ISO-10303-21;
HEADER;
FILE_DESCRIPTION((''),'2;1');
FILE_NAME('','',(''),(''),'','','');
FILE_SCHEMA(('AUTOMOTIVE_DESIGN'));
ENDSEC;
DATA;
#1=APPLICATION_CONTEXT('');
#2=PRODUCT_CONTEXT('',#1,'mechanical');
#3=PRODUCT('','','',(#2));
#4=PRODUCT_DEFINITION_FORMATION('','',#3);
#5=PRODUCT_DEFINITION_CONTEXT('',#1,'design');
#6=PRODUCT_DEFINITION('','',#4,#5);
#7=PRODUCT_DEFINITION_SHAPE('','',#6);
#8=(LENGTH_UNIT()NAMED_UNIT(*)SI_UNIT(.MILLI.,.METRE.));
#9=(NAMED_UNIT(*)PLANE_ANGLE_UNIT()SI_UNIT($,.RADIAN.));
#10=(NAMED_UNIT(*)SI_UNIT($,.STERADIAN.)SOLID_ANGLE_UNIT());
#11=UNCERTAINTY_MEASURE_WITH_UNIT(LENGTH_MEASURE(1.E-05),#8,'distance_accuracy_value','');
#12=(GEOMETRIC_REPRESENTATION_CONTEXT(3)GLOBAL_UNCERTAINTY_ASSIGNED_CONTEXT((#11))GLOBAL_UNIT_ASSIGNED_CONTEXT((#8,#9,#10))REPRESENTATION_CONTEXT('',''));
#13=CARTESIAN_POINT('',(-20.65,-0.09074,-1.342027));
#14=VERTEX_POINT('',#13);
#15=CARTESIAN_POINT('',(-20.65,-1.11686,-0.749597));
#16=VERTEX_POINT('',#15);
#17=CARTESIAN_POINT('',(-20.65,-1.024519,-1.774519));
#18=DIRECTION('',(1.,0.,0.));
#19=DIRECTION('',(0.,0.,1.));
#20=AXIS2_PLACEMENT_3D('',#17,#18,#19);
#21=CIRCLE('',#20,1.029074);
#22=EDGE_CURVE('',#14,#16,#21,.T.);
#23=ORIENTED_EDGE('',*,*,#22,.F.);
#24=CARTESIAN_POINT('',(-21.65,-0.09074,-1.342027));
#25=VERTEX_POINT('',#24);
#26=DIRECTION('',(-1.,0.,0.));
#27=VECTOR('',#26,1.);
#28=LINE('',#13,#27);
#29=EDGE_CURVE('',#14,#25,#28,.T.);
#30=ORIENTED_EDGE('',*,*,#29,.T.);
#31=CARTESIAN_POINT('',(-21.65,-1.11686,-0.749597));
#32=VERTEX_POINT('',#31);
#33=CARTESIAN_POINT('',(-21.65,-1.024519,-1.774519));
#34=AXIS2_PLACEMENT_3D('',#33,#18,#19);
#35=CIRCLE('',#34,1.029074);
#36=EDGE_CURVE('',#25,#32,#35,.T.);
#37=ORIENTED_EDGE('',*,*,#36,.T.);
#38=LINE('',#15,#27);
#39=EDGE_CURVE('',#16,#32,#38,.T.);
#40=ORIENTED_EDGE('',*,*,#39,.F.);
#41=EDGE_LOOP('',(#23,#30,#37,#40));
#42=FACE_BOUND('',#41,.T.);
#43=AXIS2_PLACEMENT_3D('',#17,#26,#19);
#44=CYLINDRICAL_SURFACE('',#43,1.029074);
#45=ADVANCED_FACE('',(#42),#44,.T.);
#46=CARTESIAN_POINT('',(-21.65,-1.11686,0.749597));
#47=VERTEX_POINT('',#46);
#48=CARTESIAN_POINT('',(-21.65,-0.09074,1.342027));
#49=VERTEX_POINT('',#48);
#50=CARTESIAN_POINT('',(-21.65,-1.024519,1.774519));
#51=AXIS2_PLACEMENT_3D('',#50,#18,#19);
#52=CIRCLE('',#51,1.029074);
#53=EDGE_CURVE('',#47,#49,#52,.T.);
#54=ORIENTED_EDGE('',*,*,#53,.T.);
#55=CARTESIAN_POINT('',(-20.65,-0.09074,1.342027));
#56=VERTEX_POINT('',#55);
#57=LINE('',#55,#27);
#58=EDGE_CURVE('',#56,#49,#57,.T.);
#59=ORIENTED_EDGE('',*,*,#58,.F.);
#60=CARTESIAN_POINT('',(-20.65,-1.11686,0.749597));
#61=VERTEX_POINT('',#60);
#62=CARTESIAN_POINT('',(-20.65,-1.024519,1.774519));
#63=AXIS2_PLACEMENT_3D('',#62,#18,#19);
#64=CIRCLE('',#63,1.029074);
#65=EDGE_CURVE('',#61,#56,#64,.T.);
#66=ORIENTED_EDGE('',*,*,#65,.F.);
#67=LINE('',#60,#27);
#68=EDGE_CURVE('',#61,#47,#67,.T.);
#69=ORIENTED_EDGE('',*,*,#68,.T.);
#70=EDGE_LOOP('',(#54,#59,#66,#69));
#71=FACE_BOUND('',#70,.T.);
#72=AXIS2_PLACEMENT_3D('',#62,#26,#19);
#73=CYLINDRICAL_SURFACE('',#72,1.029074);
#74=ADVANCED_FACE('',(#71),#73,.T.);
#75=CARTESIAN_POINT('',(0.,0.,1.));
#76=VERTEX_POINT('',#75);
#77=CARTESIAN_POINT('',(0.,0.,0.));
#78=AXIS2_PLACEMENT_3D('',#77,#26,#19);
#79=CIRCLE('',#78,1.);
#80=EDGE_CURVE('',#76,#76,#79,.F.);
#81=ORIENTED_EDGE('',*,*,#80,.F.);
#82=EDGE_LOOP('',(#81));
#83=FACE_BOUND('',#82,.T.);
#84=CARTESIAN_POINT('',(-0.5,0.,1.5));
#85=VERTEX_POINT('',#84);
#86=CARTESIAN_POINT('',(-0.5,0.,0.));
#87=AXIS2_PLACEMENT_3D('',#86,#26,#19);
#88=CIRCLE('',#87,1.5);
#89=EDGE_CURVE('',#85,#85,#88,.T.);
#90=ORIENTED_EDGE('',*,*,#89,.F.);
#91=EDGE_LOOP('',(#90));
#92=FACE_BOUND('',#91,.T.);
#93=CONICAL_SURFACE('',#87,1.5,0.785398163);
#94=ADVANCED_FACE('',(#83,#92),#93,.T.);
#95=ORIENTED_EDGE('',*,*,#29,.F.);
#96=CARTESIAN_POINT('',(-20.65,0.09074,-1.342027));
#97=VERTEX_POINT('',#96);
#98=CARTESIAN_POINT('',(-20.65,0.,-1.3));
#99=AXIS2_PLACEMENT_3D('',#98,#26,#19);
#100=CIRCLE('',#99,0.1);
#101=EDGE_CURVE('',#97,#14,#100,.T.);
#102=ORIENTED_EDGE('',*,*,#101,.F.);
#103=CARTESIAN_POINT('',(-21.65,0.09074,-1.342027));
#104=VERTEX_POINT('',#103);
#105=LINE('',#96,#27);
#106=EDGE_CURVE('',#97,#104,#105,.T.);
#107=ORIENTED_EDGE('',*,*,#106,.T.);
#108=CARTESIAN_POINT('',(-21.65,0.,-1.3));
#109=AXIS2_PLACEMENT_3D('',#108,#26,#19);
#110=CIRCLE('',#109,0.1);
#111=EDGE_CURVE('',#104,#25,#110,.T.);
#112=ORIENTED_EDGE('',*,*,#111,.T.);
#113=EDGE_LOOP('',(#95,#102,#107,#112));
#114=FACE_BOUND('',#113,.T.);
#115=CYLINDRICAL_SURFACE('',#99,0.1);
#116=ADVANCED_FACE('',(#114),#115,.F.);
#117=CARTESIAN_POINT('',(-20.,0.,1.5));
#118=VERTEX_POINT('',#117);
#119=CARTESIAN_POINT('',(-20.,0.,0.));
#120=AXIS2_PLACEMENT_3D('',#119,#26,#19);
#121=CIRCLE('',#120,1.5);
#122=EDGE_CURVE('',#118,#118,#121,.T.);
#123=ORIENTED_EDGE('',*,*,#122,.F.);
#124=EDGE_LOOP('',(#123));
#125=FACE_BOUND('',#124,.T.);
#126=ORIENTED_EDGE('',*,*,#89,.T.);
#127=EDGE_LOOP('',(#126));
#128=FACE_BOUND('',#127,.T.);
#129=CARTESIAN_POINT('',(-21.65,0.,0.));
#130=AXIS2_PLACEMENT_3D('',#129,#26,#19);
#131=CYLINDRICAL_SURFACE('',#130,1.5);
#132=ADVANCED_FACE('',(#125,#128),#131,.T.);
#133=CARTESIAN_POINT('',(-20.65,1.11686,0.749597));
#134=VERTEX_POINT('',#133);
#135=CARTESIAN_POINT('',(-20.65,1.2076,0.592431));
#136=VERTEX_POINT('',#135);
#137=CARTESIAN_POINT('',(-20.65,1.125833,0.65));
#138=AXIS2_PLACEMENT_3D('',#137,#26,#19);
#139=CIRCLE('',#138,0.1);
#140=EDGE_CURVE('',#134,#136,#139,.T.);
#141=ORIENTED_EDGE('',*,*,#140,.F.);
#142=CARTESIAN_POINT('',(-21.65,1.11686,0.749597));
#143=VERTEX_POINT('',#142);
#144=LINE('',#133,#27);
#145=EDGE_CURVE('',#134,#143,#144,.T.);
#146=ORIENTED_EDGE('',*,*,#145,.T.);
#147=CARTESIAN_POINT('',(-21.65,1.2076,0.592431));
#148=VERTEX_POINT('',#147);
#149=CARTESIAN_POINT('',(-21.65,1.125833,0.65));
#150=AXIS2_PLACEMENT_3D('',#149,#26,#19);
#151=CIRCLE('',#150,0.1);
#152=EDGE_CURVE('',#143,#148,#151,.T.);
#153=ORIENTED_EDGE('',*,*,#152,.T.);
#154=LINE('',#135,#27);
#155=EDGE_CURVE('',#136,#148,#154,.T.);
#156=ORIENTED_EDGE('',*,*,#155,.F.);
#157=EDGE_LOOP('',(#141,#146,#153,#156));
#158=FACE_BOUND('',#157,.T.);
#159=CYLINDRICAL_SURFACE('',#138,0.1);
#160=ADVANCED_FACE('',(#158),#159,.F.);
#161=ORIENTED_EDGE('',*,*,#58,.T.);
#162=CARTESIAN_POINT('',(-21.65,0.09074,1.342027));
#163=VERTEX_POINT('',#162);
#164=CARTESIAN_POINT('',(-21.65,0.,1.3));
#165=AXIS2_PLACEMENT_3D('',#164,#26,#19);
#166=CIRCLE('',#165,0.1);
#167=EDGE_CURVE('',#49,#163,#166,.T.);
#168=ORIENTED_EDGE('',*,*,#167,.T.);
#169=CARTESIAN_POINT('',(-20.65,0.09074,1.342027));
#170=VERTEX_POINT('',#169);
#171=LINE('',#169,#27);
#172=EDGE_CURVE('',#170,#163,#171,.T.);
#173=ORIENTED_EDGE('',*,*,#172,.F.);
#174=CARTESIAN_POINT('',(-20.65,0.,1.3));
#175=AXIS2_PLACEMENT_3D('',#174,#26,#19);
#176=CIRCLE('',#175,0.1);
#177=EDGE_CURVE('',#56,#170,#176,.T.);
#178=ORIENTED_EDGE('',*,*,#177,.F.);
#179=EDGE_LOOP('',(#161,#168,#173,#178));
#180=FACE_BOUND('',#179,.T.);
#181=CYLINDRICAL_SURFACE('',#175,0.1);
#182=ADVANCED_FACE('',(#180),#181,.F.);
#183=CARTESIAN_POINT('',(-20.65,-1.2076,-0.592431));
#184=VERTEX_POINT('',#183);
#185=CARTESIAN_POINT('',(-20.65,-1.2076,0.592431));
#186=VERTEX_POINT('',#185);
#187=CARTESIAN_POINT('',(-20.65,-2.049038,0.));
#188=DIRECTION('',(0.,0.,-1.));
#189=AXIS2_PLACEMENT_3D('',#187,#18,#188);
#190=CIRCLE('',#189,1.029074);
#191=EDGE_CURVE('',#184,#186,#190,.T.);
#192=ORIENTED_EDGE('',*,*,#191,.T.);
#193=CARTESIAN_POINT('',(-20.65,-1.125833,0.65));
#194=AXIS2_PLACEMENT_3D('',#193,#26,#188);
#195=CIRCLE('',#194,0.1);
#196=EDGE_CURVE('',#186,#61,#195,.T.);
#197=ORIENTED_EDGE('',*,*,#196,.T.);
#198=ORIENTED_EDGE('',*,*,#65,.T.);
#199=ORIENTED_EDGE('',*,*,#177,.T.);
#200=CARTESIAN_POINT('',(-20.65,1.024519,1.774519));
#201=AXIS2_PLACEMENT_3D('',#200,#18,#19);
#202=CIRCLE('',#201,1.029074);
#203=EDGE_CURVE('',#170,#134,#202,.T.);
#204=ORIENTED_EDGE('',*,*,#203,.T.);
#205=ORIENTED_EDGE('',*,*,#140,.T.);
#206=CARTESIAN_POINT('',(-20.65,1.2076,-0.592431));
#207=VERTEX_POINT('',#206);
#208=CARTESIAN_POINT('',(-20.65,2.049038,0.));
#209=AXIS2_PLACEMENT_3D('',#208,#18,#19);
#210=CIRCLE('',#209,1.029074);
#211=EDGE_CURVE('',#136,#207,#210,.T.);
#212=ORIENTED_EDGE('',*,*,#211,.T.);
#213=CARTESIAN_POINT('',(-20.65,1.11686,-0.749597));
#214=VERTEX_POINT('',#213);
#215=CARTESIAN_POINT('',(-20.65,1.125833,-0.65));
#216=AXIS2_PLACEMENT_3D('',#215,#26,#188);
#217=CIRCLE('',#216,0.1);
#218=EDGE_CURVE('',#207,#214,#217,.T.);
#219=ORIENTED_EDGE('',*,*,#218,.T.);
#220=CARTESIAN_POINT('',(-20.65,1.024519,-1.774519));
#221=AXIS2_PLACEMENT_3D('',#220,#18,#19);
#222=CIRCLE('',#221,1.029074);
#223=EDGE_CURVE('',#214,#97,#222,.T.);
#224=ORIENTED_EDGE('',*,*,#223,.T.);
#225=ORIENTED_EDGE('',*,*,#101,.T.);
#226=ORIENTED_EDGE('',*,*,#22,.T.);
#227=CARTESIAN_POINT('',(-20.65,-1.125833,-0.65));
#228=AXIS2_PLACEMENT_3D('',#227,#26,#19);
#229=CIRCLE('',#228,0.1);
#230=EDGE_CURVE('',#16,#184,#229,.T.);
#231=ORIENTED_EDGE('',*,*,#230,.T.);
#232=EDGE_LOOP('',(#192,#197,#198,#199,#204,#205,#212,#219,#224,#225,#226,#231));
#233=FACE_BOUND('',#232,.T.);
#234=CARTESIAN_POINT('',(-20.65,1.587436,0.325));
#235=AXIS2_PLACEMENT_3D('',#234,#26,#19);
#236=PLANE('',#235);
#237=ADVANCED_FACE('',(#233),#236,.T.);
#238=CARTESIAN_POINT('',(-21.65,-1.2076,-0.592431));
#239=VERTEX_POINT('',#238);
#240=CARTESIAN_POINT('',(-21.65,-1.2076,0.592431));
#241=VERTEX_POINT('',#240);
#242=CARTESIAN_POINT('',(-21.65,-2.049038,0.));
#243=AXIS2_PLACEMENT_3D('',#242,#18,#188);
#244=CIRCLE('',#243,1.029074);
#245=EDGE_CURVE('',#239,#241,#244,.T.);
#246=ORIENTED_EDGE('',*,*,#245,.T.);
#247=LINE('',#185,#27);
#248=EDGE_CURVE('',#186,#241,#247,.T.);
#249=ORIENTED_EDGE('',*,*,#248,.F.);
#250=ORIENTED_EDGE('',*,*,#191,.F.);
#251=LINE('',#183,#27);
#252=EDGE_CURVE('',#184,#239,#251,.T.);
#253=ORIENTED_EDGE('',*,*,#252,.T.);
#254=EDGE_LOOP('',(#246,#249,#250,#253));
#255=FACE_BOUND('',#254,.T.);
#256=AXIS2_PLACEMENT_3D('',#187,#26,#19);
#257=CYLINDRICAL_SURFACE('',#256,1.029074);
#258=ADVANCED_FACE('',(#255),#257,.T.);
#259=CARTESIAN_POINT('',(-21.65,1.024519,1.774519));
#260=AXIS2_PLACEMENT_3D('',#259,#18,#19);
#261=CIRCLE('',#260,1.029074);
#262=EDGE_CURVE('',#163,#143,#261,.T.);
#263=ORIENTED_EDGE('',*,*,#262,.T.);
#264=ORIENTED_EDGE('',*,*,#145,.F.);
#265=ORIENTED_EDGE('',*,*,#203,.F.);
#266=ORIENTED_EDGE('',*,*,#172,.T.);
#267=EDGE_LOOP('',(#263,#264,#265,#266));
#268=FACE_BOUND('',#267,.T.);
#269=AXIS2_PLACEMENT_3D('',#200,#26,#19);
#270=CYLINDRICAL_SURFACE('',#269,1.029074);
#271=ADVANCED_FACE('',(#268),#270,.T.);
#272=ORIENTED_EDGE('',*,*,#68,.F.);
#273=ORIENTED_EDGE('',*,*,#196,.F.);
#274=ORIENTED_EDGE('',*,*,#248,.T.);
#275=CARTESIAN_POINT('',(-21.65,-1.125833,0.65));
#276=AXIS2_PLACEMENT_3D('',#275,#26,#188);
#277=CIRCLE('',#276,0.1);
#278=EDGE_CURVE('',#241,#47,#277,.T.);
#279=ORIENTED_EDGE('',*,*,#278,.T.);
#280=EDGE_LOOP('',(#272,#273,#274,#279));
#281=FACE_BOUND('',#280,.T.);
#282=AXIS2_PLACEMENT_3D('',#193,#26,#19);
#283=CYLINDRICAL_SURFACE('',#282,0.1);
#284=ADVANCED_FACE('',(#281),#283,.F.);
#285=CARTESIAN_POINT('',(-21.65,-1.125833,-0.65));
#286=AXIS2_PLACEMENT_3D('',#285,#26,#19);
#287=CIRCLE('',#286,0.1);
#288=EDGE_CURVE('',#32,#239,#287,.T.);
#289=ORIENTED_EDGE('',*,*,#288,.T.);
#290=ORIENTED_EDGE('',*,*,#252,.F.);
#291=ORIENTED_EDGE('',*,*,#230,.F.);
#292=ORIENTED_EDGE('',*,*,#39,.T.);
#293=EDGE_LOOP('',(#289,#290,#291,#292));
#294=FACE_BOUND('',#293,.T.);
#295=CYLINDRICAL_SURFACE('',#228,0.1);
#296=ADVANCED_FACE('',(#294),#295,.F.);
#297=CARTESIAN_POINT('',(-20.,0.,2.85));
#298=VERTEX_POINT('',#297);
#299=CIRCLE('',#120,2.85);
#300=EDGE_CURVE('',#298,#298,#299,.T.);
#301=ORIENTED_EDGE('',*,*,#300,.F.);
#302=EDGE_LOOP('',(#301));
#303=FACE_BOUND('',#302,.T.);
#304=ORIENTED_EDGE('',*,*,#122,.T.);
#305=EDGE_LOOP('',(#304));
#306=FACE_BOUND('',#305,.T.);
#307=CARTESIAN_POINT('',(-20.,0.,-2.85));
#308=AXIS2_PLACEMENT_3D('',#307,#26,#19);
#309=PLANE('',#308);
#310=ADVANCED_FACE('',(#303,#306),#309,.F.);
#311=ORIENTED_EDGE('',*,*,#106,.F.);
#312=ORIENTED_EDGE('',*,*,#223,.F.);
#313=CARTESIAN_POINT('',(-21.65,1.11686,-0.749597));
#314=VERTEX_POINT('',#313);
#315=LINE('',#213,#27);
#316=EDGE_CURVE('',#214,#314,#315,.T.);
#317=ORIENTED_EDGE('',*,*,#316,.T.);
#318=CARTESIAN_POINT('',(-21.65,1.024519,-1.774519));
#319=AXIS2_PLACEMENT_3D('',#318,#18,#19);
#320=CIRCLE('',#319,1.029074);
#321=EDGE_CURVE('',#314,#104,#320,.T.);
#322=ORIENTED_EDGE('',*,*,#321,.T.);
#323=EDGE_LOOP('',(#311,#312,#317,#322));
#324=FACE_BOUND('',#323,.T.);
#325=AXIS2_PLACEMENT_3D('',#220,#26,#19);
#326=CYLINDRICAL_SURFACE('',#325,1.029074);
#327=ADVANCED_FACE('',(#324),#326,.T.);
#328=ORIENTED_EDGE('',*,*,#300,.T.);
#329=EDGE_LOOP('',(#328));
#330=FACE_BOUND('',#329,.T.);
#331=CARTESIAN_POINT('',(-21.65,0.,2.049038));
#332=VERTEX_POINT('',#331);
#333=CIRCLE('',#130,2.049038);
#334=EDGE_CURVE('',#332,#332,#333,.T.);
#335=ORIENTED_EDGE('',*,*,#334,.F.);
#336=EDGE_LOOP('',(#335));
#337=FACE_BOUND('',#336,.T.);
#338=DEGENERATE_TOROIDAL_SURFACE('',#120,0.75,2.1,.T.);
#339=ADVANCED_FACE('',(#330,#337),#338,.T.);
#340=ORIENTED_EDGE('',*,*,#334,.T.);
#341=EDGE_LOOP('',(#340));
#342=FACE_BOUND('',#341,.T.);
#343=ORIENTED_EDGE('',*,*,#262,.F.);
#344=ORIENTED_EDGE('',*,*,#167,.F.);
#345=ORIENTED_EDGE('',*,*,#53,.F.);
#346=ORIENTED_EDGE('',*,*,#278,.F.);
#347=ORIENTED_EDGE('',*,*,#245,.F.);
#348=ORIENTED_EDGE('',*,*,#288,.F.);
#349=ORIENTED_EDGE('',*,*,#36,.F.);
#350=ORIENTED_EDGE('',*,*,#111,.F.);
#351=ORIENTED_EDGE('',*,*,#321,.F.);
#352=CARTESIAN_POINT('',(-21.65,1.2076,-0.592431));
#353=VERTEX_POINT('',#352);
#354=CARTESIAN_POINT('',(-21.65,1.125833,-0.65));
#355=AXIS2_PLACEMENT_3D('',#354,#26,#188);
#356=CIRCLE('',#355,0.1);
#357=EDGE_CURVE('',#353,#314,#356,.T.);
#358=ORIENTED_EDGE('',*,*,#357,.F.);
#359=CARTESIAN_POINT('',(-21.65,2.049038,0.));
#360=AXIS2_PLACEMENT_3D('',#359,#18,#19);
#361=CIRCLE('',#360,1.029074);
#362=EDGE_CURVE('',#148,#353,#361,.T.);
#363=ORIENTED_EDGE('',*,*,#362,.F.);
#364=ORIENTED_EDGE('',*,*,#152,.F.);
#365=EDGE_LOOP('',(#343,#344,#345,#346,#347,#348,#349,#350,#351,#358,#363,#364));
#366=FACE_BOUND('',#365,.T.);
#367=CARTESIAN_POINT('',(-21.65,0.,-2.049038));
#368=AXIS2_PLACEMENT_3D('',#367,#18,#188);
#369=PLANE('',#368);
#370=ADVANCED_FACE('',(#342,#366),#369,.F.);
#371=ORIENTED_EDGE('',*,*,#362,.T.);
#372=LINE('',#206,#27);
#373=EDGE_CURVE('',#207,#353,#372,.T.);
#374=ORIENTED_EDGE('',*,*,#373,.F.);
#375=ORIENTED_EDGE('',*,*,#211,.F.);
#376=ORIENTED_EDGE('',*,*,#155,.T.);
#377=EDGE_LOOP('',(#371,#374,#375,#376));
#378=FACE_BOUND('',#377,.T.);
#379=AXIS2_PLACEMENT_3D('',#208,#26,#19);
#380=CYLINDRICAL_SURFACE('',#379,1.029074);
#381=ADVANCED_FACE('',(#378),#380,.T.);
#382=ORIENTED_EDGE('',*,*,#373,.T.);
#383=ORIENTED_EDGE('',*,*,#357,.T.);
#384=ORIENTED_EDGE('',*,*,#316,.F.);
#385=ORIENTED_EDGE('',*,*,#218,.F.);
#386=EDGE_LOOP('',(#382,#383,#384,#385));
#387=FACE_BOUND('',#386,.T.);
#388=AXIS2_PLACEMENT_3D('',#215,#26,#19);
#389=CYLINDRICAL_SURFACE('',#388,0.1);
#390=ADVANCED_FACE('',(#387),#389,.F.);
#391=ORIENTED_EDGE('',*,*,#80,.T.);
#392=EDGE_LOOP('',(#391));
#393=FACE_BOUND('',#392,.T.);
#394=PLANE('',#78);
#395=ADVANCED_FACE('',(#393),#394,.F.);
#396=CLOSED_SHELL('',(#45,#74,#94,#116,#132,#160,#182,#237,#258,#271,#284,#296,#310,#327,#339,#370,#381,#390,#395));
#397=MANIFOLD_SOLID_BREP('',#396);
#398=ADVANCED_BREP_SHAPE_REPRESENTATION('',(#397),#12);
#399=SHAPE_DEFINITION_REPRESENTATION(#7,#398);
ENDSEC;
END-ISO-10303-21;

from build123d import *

# Parameters (mm, degrees)
CHAMFER1_SIZE      = 0.5
CUT_EXTRUDE1_DEPTH = 1


with BuildPart() as part:
    # Sketch2 → Revolve1 (revolve)
    with BuildSketch(Plane(origin=(0, 0, 0), x_dir=(1, 0, 0), z_dir=(0, 1, 0)), mode=Mode.PRIVATE) as revolve1_sk:
        with BuildLine():
            Line((0, 0), (0, 1.5))
            Line((0, 1.5), (-20, 1.5))
            Line((-20, 1.5), (-20, 2.85))
            ThreePointArc((-20, 2.85), (-20.917065968, 2.639177072), (-21.65, 2.049038106))
            Line((-21.65, 2.049038106), (-21.65, 0))
            Line((-21.65, 0), (0, 0))
        make_face()
    revolve(revolve1_sk.sketch.rotate(Axis((-21.65, 0, 0), (1, 0, 0)), 180), axis=Axis((-21.65, 0, 0), (1, 0, 0)))

    # Chamfer1
    chamfer1_edges = [part.edges().sort_by_distance(p)[0] for p in [
        (0, 0, -1.5),
    ]]
    chamfer(chamfer1_edges, length=CHAMFER1_SIZE)

    # Sketch4 → Cut-Extrude1 (cut)
    with BuildSketch(Plane.ZY.offset(21.65)):
        with BuildLine():
            ThreePointArc((-1.342027284, 0.090739778), (-0.883315009, 0.509982158), (-0.749596595, 1.116859832))
            ThreePointArc((-0.749596595, 1.116859832), (-0.7, 1.212435565), (-0.592430689, 1.20759961))
            ThreePointArc((-0.592430689, 1.20759961), (0, 1.019964317), (0.592430689, 1.20759961))
            ThreePointArc((0.592430689, 1.20759961), (0.7, 1.212435565), (0.749596595, 1.116859832))
            ThreePointArc((0.749596595, 1.116859832), (0.883315009, 0.509982158), (1.342027284, 0.090739778))
            ThreePointArc((1.342027284, 0.090739778), (1.4, 0), (1.342027284, -0.090739778))
            ThreePointArc((1.342027284, -0.090739778), (0.883315009, -0.509982158), (0.749596595, -1.116859832))
            ThreePointArc((0.749596595, -1.116859832), (0.7, -1.212435565), (0.592430689, -1.20759961))
            ThreePointArc((0.592430689, -1.20759961), (0, -1.019964317), (-0.592430689, -1.20759961))
            ThreePointArc((-0.592430689, -1.20759961), (-0.7, -1.212435565), (-0.749596595, -1.116859832))
            ThreePointArc((-0.749596595, -1.116859832), (-0.883315009, -0.509982158), (-1.342027284, -0.090739778))
            ThreePointArc((-1.342027284, -0.090739778), (-1.4, 0), (-1.342027284, 0.090739778))
        make_face()
    extrude(amount=-CUT_EXTRUDE1_DEPTH, mode=Mode.SUBTRACT)


solid = part.part
